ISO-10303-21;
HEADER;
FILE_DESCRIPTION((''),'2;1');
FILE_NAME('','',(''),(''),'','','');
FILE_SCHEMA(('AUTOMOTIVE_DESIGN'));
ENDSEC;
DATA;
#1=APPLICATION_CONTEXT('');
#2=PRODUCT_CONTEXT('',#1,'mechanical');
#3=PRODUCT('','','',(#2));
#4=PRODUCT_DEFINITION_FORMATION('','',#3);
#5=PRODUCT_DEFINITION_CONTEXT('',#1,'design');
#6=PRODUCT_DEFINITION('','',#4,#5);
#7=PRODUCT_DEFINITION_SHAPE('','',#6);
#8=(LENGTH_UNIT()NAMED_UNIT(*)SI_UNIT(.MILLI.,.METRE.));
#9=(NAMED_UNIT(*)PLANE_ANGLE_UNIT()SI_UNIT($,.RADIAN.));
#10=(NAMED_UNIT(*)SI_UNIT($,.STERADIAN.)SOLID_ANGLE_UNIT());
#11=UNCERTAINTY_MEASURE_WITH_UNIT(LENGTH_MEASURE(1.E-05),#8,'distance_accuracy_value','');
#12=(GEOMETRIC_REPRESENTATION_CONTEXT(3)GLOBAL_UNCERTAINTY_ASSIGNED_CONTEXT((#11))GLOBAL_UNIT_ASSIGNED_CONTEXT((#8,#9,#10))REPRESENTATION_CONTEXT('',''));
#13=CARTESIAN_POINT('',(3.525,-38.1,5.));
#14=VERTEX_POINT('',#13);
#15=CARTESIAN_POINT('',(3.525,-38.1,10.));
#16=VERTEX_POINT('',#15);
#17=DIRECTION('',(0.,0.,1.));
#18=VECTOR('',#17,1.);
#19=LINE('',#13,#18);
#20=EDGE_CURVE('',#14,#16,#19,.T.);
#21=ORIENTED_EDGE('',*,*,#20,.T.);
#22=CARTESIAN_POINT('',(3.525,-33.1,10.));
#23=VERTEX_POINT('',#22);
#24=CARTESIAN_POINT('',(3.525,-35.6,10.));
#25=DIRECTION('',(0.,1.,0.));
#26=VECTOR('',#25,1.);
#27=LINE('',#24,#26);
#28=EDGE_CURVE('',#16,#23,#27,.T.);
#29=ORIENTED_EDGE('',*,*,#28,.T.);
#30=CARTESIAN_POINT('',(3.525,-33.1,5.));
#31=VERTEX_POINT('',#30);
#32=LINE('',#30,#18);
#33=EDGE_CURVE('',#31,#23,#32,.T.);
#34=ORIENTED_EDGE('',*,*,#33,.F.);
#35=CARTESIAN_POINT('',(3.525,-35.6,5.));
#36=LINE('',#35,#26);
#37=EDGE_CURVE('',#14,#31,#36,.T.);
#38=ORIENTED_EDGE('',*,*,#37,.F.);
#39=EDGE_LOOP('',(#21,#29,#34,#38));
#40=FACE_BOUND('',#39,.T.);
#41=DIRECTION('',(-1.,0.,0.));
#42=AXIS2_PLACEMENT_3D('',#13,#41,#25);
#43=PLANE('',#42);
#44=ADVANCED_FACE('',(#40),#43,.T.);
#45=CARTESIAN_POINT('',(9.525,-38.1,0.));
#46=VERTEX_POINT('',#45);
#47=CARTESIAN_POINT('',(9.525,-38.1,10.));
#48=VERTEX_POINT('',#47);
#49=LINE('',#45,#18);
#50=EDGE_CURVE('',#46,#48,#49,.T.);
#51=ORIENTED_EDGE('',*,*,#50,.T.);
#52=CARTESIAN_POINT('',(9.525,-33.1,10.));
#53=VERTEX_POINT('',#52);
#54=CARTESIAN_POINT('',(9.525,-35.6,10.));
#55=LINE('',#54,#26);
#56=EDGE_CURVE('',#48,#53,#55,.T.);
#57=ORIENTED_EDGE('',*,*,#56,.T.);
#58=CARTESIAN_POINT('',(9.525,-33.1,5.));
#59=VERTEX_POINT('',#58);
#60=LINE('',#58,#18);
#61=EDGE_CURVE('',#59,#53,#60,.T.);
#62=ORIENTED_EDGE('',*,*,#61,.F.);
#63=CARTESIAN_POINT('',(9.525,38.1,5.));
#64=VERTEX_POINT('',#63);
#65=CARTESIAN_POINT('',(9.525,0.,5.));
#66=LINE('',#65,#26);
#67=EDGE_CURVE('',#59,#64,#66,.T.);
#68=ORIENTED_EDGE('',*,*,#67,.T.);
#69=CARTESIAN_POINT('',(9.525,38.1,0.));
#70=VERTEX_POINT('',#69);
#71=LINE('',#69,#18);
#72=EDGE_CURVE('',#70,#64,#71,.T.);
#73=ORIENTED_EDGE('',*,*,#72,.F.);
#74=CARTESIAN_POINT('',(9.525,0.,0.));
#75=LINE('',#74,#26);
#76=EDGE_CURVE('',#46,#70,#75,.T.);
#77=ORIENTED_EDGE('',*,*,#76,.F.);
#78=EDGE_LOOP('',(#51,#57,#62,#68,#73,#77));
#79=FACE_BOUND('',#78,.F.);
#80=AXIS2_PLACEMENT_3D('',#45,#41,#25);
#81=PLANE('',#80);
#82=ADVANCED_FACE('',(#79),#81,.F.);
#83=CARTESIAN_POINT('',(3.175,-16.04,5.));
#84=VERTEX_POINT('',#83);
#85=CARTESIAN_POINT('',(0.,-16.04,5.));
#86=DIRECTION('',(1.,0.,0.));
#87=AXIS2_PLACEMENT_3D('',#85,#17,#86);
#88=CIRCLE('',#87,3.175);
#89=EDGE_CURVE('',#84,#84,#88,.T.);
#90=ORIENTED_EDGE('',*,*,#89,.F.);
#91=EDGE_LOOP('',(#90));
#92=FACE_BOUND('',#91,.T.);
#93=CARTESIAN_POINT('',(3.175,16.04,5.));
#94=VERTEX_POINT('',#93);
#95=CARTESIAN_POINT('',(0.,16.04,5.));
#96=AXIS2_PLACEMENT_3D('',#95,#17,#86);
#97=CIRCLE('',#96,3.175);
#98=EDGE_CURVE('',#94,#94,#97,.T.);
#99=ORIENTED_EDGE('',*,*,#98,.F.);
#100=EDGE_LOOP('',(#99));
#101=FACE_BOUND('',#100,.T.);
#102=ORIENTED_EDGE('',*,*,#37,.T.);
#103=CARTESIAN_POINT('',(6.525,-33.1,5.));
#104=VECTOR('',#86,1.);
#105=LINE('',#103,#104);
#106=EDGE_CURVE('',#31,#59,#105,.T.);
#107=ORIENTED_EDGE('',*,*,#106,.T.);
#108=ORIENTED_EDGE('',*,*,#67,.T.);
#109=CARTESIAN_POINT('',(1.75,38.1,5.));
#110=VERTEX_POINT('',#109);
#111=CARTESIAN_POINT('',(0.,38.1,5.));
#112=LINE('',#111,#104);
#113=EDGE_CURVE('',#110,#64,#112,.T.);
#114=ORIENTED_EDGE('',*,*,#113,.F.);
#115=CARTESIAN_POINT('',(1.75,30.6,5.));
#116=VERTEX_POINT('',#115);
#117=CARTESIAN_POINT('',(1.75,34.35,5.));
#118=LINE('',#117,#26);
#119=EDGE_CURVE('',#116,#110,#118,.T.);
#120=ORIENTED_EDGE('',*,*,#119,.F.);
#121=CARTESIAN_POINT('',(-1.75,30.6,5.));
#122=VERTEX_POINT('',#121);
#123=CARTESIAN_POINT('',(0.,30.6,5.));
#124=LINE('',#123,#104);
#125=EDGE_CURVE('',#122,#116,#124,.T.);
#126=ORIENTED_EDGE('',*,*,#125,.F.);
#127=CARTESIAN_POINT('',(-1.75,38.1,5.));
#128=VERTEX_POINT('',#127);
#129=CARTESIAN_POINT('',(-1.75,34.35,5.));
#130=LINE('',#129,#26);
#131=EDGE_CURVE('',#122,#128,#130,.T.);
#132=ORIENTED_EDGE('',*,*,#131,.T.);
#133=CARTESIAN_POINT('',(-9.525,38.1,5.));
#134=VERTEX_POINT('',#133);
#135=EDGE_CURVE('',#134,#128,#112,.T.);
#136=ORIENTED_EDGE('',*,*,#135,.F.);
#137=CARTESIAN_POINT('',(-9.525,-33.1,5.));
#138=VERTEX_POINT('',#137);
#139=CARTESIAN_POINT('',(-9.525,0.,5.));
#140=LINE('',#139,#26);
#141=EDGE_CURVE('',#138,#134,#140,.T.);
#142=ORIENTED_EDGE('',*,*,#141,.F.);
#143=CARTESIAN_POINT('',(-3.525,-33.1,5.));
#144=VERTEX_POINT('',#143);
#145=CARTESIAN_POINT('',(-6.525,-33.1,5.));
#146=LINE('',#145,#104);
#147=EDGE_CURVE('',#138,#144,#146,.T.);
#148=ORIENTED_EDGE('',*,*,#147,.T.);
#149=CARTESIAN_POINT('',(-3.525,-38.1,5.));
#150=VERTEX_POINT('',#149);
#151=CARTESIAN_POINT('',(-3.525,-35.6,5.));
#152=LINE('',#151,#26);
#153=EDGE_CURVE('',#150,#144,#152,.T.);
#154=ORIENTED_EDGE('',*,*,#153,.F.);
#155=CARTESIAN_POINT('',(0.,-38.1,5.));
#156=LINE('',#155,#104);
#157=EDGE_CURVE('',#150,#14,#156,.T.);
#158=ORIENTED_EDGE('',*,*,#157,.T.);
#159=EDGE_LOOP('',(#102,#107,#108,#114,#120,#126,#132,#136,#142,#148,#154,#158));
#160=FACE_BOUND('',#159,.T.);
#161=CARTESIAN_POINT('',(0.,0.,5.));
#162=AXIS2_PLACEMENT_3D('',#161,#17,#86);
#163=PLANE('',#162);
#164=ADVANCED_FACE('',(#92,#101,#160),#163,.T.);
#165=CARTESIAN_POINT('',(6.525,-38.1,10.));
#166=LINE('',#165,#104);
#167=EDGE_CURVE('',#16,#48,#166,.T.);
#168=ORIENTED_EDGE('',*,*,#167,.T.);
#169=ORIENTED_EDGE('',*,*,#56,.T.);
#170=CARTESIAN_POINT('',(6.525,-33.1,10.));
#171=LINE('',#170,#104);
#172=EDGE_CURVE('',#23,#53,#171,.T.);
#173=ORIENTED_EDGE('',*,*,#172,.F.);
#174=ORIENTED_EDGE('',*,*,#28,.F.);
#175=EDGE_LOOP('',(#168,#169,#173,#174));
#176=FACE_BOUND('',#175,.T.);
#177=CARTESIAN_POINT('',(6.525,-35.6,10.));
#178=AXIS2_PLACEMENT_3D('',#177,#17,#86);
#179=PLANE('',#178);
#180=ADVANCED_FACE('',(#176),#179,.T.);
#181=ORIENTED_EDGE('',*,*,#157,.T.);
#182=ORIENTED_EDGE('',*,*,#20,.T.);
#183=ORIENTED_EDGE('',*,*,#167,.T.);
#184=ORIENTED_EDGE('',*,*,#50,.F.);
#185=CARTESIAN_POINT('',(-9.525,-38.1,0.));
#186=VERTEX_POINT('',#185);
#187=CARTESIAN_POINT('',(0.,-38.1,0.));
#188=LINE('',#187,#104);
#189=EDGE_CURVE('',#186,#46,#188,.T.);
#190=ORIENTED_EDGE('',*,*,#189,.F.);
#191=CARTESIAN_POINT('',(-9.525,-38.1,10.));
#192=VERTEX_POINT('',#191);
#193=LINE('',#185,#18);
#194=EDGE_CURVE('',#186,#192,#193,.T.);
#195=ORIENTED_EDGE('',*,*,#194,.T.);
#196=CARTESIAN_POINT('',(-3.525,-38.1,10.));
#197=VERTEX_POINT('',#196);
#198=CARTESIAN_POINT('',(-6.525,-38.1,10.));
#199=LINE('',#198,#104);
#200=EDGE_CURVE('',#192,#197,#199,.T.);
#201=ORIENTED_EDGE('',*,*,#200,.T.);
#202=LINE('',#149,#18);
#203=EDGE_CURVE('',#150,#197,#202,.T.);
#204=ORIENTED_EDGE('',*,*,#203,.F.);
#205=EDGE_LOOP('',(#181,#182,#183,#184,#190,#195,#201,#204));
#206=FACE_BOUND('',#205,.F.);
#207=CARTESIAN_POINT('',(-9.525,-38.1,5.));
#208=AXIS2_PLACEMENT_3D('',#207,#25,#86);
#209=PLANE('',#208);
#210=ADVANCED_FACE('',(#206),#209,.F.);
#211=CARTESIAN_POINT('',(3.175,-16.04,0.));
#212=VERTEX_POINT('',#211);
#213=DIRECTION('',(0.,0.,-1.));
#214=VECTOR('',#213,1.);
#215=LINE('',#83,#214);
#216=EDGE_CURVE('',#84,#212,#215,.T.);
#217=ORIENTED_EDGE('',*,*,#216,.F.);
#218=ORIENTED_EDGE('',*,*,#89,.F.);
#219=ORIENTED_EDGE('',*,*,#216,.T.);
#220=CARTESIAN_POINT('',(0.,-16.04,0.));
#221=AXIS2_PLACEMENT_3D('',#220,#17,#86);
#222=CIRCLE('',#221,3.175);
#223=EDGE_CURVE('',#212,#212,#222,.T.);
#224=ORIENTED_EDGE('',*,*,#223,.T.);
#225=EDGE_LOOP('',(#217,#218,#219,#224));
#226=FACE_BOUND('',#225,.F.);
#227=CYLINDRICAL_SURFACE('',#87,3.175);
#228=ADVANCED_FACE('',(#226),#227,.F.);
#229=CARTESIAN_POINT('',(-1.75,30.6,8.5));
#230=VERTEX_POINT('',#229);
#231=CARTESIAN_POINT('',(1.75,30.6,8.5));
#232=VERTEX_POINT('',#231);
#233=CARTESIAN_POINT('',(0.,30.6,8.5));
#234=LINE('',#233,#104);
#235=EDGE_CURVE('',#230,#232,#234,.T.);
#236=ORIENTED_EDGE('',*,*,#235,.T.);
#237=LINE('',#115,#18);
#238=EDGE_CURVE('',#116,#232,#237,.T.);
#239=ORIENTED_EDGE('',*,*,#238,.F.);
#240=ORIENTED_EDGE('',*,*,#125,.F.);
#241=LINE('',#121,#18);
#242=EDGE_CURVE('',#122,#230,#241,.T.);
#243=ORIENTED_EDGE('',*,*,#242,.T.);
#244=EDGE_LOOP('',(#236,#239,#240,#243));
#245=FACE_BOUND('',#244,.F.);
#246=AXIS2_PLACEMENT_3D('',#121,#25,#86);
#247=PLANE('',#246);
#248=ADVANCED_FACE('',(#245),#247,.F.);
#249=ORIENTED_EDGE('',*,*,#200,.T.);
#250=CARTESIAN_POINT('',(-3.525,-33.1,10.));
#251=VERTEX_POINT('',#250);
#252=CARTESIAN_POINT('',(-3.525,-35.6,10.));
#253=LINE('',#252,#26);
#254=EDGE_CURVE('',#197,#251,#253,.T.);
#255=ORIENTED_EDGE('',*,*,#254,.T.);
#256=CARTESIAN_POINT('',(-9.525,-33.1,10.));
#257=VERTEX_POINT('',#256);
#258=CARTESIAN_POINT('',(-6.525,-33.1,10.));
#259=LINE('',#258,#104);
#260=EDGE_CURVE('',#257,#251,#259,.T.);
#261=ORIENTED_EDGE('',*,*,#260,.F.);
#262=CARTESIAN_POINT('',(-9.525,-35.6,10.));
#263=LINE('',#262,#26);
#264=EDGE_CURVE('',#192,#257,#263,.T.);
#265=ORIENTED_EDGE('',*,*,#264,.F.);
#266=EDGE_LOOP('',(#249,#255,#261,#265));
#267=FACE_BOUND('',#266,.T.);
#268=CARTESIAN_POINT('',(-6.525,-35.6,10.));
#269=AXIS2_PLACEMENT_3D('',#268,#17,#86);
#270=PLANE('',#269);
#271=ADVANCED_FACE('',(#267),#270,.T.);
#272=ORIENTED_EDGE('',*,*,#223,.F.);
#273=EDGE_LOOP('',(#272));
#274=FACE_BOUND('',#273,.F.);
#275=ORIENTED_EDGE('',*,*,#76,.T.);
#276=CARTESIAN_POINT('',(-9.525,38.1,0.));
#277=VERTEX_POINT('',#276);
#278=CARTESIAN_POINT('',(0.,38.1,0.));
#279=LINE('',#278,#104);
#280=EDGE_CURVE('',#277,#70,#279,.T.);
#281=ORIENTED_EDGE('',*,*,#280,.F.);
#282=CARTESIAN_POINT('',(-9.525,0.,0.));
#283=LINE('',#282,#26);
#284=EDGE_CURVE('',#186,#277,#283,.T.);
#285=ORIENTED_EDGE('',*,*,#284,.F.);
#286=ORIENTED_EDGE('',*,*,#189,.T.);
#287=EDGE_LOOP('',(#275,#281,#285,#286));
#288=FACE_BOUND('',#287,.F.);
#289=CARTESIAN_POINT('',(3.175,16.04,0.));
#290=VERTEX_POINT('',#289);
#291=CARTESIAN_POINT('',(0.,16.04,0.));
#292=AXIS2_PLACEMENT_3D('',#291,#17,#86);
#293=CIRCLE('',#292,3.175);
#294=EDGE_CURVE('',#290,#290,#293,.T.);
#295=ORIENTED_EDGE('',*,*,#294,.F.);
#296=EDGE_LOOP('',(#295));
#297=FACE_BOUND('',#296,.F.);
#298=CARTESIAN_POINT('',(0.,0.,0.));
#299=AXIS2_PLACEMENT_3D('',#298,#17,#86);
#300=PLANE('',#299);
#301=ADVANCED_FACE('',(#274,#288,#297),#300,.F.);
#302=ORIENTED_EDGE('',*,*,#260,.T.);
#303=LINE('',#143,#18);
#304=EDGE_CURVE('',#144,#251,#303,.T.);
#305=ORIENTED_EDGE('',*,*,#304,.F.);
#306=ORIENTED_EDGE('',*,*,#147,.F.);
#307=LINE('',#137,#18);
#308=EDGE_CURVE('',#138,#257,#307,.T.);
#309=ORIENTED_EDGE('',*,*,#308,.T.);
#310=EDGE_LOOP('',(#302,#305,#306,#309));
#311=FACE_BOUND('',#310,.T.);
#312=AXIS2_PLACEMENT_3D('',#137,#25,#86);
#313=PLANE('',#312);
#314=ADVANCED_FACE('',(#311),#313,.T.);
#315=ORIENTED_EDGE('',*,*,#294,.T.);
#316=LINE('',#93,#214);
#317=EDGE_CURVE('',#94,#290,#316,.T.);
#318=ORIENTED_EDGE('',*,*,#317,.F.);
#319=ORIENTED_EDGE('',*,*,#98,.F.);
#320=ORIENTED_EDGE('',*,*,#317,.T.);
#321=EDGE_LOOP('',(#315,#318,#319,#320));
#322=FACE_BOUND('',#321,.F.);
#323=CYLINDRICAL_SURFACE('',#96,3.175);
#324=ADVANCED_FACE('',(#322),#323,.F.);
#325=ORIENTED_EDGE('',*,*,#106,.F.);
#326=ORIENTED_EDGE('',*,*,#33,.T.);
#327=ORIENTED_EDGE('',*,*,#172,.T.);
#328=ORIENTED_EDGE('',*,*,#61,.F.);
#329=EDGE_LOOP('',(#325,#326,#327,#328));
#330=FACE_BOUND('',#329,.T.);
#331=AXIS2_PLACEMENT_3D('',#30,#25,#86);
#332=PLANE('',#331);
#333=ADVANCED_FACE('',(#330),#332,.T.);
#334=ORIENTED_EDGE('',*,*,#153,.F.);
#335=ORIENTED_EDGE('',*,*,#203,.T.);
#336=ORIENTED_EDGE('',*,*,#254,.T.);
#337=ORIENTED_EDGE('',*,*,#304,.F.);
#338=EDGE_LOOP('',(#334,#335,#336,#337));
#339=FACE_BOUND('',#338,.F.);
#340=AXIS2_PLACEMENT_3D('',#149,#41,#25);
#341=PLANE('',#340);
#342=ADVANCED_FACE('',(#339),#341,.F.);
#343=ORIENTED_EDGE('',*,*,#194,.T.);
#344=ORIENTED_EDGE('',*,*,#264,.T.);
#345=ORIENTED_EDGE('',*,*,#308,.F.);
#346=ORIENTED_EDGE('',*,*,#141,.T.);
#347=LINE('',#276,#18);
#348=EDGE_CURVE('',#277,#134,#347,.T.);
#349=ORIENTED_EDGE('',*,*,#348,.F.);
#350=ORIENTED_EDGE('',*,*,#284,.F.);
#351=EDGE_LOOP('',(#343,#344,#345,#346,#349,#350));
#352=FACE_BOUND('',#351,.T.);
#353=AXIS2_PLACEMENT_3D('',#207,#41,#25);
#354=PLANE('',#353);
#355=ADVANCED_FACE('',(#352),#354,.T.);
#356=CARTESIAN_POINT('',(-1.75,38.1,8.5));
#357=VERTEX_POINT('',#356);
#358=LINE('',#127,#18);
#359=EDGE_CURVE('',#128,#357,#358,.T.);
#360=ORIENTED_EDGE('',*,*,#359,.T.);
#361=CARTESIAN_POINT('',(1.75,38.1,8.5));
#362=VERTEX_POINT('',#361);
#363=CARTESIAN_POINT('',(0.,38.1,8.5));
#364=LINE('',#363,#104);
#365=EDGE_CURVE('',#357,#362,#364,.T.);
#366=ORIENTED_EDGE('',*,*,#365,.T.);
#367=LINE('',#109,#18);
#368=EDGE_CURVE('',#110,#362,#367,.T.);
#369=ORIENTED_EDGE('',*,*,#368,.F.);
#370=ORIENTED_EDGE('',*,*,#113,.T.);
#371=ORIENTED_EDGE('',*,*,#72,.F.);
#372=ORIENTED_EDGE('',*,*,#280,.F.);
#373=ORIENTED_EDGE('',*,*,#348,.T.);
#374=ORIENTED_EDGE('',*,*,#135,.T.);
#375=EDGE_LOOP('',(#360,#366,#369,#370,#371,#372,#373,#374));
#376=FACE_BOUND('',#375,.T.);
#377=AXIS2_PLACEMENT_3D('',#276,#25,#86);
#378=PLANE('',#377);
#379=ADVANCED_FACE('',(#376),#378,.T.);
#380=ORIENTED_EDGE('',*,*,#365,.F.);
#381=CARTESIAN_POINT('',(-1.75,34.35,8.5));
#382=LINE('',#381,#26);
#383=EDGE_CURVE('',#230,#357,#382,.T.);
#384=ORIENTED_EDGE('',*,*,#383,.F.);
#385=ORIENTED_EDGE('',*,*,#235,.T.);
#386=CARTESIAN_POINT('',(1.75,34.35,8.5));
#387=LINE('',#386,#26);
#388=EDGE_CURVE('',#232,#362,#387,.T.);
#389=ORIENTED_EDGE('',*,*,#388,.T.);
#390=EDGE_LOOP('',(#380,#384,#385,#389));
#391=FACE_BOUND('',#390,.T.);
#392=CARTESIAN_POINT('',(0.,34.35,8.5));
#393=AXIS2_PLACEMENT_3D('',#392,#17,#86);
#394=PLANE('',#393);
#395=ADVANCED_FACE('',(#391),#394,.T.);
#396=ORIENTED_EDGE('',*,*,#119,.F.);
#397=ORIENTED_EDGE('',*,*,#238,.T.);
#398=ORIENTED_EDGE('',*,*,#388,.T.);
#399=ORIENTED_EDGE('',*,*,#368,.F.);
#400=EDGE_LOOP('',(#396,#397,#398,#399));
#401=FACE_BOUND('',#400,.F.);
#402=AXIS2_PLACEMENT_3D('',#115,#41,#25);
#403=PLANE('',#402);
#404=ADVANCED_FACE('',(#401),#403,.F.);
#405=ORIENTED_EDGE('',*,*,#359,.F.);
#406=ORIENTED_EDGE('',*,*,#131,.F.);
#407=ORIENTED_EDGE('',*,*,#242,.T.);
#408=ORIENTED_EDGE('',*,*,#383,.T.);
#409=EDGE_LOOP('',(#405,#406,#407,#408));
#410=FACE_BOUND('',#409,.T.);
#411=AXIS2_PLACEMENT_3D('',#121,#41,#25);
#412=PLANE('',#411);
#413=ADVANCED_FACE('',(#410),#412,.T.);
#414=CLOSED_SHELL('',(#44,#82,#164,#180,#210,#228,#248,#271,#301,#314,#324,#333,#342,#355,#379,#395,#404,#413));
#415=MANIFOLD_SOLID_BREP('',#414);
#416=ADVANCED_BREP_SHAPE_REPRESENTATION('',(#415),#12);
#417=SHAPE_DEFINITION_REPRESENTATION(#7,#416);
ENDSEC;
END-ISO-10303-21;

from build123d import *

# Parameters (mm, degrees)
F0_W      = 19.05
F0_H      = 76.2
F1_DEPTH  = 5
F2_W      = 3.5
F2_H      = 7.5
F2_W_2    = 6
F2_H_2    = 5
F3_DEPTH  = 5
F4_R      = 3.175
F5_DEPTH  = 5
F3_FACE_W = 3.5
F3_FACE_H = 7.5
F6_DEPTH  = 1.5


with BuildPart() as f1:
    # F0 (on Top) → F1 (new body)
    with BuildSketch(Plane.XY):
        Rectangle(F0_W, F0_H)
    extrude(amount=F1_DEPTH)

    # F2 (on face) → F3 (join)
    with BuildSketch(Plane.XY.offset(5)):
        with Locations((0, 34.35)):
            Rectangle(F2_W, F2_H)
        with Locations((-6.525, -35.6)):
            Rectangle(F2_W_2, F2_H_2)
        with Locations((6.525, -35.6)):
            Rectangle(F2_W_2, F2_H_2)
    extrude(amount=F3_DEPTH)

    # F4 (on face) → F5 (cut)
    with BuildSketch(Plane.XY.offset(5)):
        with Locations((0, 16.04)):
            Circle(F4_R)
        with Locations((0, -16.04)):
            Circle(F4_R)
    extrude(amount=-F5_DEPTH, mode=Mode.SUBTRACT)

    # F3_face (on face) → F6 (cut)
    with BuildSketch(Plane(origin=(0, 34.35, 10), x_dir=(1, 0, 0), z_dir=(0, 0, 1))):
        Rectangle(F3_FACE_W, F3_FACE_H)
    extrude(amount=-F6_DEPTH, mode=Mode.SUBTRACT)


solid = f1.part
